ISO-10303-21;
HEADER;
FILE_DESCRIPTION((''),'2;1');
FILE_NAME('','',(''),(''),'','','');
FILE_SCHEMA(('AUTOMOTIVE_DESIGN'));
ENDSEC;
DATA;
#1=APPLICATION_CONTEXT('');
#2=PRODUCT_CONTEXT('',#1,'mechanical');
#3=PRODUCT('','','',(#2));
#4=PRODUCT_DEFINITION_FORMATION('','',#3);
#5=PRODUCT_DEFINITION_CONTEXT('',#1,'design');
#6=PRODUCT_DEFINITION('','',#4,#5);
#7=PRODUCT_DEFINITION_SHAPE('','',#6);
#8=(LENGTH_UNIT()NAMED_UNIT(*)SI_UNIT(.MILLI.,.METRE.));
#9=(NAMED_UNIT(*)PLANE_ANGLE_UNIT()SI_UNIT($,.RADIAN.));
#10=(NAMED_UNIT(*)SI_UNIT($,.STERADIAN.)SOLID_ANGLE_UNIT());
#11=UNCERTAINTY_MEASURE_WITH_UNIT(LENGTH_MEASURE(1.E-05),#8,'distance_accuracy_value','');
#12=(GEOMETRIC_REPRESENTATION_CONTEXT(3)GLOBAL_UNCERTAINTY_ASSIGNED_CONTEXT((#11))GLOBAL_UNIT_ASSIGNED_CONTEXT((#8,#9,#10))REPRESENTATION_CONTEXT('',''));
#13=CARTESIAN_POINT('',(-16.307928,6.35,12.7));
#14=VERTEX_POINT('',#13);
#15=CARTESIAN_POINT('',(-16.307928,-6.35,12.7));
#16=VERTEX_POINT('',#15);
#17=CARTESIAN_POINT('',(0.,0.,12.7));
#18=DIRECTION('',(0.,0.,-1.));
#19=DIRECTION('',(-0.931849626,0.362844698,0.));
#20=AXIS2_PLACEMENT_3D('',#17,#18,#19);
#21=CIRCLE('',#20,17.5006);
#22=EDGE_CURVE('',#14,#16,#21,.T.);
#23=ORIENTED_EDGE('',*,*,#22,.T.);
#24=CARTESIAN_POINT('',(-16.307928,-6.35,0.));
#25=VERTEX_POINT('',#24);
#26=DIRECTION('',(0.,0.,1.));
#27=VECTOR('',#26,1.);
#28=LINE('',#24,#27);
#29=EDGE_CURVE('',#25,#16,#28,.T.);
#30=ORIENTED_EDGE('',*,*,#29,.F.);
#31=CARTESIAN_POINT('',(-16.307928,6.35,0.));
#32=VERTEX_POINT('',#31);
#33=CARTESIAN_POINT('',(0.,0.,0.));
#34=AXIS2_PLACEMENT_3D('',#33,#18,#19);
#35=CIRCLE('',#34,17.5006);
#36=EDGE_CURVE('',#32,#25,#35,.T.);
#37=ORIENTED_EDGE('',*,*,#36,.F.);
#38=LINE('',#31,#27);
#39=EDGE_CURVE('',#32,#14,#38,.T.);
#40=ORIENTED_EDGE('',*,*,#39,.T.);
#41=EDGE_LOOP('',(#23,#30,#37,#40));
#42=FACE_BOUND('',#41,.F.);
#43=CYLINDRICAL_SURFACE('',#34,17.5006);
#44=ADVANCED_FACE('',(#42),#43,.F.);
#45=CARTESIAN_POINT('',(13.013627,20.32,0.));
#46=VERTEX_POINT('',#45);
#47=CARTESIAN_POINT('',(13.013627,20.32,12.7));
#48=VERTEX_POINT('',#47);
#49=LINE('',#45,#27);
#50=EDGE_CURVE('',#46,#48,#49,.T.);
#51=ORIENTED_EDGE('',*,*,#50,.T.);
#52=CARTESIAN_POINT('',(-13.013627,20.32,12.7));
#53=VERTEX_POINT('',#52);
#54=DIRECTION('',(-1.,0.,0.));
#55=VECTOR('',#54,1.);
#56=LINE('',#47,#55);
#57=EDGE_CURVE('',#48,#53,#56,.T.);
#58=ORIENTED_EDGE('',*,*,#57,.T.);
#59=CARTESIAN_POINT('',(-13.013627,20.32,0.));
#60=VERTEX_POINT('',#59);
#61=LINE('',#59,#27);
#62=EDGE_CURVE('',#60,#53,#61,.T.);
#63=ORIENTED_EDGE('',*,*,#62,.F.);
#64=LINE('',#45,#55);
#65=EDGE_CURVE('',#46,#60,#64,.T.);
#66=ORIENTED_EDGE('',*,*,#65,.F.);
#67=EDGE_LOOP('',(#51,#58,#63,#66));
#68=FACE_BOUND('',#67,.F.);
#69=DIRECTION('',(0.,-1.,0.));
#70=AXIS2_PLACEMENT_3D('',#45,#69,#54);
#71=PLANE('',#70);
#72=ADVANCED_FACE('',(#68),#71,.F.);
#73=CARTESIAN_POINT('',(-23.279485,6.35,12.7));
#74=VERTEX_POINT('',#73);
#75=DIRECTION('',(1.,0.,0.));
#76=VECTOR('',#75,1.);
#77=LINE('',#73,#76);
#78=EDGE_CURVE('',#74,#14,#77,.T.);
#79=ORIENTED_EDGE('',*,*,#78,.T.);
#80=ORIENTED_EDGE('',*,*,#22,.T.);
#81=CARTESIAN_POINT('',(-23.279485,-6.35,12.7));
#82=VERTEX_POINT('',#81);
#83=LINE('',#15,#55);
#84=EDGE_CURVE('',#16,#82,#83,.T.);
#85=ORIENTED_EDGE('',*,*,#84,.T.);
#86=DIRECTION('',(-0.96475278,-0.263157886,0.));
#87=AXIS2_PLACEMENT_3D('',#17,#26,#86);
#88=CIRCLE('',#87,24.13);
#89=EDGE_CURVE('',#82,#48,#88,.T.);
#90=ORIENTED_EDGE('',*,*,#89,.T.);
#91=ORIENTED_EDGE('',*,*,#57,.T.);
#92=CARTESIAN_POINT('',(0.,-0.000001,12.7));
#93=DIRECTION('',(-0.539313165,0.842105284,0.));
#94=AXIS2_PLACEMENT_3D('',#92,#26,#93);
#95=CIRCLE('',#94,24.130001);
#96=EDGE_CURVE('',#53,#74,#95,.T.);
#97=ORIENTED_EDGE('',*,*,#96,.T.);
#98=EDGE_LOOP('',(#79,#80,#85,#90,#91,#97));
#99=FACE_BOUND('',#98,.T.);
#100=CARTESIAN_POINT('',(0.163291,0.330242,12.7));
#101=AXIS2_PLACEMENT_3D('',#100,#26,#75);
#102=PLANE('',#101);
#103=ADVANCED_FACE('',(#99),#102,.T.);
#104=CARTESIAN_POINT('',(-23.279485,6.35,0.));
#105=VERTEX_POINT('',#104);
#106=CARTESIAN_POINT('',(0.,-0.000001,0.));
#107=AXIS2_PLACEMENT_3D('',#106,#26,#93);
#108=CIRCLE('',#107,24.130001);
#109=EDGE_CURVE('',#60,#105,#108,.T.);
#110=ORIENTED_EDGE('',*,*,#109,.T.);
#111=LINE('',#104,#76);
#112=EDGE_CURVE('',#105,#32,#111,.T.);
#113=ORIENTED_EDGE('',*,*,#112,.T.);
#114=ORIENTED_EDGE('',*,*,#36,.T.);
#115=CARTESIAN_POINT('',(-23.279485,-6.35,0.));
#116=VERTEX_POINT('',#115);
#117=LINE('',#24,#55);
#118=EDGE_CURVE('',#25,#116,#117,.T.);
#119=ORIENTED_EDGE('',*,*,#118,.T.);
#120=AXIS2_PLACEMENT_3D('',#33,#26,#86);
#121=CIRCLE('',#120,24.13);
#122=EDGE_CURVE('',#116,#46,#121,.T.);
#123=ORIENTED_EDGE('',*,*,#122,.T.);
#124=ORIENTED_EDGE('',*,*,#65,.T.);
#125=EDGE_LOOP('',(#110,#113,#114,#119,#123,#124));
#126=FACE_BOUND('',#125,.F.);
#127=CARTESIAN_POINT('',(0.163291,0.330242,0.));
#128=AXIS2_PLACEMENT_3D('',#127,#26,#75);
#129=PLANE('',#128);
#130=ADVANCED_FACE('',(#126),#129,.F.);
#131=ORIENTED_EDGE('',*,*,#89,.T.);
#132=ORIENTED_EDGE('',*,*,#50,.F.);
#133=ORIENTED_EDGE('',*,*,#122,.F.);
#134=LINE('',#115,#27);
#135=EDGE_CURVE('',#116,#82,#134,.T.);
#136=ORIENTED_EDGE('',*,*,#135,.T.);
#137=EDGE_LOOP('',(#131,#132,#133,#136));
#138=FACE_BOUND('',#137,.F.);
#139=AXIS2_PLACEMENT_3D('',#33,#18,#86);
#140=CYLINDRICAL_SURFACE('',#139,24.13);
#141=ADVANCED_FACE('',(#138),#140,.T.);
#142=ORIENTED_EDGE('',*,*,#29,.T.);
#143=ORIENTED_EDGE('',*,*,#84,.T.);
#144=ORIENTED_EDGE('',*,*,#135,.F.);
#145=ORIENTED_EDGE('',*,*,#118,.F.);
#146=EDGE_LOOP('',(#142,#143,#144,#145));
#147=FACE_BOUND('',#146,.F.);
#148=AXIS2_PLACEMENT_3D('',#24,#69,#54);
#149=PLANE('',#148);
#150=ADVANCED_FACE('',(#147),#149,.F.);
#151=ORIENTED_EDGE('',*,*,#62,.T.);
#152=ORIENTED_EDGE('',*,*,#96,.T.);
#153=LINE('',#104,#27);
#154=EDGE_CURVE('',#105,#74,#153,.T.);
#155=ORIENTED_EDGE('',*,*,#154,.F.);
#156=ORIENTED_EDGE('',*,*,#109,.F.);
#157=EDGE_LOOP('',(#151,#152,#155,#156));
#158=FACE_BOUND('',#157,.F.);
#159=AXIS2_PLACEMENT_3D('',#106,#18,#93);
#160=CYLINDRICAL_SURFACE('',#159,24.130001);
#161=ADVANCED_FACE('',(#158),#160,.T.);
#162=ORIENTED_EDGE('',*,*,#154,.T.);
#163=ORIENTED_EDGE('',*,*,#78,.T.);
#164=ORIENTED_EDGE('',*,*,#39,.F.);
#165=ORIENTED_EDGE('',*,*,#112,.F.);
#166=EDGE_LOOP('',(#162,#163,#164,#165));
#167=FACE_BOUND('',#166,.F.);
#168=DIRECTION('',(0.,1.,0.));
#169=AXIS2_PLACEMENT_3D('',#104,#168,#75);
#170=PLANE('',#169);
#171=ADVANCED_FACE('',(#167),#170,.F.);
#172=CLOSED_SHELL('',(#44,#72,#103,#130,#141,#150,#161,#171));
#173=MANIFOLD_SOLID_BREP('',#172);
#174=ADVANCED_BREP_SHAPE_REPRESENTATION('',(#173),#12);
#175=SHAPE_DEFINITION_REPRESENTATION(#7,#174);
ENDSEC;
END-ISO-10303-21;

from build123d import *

# Parameters (mm, degrees)
F1_DEPTH = 12.7


with BuildPart() as f1:
    # F0 (on Top) → F1 (new body)
    with BuildSketch(Plane.XY):
        with BuildLine():
            ThreePointArc((-16.307928, 6.35), (17.5006, 0), (-16.307928, -6.35))
            Line((-16.307928, -6.35), (-23.279485, -6.35))
            ThreePointArc((-23.279485, -6.35), (14.288778, -19.444478), (13.013627, 20.32))
            Line((13.013627, 20.32), (-13.013627, 20.32))
            ThreePointArc((-13.013627, 20.32), (-19.444478, 14.288778), (-23.279485, 6.35))
            Line((-23.279485, 6.35), (-16.307928, 6.35))
        make_face()
    extrude(amount=F1_DEPTH)


solid = f1.part
